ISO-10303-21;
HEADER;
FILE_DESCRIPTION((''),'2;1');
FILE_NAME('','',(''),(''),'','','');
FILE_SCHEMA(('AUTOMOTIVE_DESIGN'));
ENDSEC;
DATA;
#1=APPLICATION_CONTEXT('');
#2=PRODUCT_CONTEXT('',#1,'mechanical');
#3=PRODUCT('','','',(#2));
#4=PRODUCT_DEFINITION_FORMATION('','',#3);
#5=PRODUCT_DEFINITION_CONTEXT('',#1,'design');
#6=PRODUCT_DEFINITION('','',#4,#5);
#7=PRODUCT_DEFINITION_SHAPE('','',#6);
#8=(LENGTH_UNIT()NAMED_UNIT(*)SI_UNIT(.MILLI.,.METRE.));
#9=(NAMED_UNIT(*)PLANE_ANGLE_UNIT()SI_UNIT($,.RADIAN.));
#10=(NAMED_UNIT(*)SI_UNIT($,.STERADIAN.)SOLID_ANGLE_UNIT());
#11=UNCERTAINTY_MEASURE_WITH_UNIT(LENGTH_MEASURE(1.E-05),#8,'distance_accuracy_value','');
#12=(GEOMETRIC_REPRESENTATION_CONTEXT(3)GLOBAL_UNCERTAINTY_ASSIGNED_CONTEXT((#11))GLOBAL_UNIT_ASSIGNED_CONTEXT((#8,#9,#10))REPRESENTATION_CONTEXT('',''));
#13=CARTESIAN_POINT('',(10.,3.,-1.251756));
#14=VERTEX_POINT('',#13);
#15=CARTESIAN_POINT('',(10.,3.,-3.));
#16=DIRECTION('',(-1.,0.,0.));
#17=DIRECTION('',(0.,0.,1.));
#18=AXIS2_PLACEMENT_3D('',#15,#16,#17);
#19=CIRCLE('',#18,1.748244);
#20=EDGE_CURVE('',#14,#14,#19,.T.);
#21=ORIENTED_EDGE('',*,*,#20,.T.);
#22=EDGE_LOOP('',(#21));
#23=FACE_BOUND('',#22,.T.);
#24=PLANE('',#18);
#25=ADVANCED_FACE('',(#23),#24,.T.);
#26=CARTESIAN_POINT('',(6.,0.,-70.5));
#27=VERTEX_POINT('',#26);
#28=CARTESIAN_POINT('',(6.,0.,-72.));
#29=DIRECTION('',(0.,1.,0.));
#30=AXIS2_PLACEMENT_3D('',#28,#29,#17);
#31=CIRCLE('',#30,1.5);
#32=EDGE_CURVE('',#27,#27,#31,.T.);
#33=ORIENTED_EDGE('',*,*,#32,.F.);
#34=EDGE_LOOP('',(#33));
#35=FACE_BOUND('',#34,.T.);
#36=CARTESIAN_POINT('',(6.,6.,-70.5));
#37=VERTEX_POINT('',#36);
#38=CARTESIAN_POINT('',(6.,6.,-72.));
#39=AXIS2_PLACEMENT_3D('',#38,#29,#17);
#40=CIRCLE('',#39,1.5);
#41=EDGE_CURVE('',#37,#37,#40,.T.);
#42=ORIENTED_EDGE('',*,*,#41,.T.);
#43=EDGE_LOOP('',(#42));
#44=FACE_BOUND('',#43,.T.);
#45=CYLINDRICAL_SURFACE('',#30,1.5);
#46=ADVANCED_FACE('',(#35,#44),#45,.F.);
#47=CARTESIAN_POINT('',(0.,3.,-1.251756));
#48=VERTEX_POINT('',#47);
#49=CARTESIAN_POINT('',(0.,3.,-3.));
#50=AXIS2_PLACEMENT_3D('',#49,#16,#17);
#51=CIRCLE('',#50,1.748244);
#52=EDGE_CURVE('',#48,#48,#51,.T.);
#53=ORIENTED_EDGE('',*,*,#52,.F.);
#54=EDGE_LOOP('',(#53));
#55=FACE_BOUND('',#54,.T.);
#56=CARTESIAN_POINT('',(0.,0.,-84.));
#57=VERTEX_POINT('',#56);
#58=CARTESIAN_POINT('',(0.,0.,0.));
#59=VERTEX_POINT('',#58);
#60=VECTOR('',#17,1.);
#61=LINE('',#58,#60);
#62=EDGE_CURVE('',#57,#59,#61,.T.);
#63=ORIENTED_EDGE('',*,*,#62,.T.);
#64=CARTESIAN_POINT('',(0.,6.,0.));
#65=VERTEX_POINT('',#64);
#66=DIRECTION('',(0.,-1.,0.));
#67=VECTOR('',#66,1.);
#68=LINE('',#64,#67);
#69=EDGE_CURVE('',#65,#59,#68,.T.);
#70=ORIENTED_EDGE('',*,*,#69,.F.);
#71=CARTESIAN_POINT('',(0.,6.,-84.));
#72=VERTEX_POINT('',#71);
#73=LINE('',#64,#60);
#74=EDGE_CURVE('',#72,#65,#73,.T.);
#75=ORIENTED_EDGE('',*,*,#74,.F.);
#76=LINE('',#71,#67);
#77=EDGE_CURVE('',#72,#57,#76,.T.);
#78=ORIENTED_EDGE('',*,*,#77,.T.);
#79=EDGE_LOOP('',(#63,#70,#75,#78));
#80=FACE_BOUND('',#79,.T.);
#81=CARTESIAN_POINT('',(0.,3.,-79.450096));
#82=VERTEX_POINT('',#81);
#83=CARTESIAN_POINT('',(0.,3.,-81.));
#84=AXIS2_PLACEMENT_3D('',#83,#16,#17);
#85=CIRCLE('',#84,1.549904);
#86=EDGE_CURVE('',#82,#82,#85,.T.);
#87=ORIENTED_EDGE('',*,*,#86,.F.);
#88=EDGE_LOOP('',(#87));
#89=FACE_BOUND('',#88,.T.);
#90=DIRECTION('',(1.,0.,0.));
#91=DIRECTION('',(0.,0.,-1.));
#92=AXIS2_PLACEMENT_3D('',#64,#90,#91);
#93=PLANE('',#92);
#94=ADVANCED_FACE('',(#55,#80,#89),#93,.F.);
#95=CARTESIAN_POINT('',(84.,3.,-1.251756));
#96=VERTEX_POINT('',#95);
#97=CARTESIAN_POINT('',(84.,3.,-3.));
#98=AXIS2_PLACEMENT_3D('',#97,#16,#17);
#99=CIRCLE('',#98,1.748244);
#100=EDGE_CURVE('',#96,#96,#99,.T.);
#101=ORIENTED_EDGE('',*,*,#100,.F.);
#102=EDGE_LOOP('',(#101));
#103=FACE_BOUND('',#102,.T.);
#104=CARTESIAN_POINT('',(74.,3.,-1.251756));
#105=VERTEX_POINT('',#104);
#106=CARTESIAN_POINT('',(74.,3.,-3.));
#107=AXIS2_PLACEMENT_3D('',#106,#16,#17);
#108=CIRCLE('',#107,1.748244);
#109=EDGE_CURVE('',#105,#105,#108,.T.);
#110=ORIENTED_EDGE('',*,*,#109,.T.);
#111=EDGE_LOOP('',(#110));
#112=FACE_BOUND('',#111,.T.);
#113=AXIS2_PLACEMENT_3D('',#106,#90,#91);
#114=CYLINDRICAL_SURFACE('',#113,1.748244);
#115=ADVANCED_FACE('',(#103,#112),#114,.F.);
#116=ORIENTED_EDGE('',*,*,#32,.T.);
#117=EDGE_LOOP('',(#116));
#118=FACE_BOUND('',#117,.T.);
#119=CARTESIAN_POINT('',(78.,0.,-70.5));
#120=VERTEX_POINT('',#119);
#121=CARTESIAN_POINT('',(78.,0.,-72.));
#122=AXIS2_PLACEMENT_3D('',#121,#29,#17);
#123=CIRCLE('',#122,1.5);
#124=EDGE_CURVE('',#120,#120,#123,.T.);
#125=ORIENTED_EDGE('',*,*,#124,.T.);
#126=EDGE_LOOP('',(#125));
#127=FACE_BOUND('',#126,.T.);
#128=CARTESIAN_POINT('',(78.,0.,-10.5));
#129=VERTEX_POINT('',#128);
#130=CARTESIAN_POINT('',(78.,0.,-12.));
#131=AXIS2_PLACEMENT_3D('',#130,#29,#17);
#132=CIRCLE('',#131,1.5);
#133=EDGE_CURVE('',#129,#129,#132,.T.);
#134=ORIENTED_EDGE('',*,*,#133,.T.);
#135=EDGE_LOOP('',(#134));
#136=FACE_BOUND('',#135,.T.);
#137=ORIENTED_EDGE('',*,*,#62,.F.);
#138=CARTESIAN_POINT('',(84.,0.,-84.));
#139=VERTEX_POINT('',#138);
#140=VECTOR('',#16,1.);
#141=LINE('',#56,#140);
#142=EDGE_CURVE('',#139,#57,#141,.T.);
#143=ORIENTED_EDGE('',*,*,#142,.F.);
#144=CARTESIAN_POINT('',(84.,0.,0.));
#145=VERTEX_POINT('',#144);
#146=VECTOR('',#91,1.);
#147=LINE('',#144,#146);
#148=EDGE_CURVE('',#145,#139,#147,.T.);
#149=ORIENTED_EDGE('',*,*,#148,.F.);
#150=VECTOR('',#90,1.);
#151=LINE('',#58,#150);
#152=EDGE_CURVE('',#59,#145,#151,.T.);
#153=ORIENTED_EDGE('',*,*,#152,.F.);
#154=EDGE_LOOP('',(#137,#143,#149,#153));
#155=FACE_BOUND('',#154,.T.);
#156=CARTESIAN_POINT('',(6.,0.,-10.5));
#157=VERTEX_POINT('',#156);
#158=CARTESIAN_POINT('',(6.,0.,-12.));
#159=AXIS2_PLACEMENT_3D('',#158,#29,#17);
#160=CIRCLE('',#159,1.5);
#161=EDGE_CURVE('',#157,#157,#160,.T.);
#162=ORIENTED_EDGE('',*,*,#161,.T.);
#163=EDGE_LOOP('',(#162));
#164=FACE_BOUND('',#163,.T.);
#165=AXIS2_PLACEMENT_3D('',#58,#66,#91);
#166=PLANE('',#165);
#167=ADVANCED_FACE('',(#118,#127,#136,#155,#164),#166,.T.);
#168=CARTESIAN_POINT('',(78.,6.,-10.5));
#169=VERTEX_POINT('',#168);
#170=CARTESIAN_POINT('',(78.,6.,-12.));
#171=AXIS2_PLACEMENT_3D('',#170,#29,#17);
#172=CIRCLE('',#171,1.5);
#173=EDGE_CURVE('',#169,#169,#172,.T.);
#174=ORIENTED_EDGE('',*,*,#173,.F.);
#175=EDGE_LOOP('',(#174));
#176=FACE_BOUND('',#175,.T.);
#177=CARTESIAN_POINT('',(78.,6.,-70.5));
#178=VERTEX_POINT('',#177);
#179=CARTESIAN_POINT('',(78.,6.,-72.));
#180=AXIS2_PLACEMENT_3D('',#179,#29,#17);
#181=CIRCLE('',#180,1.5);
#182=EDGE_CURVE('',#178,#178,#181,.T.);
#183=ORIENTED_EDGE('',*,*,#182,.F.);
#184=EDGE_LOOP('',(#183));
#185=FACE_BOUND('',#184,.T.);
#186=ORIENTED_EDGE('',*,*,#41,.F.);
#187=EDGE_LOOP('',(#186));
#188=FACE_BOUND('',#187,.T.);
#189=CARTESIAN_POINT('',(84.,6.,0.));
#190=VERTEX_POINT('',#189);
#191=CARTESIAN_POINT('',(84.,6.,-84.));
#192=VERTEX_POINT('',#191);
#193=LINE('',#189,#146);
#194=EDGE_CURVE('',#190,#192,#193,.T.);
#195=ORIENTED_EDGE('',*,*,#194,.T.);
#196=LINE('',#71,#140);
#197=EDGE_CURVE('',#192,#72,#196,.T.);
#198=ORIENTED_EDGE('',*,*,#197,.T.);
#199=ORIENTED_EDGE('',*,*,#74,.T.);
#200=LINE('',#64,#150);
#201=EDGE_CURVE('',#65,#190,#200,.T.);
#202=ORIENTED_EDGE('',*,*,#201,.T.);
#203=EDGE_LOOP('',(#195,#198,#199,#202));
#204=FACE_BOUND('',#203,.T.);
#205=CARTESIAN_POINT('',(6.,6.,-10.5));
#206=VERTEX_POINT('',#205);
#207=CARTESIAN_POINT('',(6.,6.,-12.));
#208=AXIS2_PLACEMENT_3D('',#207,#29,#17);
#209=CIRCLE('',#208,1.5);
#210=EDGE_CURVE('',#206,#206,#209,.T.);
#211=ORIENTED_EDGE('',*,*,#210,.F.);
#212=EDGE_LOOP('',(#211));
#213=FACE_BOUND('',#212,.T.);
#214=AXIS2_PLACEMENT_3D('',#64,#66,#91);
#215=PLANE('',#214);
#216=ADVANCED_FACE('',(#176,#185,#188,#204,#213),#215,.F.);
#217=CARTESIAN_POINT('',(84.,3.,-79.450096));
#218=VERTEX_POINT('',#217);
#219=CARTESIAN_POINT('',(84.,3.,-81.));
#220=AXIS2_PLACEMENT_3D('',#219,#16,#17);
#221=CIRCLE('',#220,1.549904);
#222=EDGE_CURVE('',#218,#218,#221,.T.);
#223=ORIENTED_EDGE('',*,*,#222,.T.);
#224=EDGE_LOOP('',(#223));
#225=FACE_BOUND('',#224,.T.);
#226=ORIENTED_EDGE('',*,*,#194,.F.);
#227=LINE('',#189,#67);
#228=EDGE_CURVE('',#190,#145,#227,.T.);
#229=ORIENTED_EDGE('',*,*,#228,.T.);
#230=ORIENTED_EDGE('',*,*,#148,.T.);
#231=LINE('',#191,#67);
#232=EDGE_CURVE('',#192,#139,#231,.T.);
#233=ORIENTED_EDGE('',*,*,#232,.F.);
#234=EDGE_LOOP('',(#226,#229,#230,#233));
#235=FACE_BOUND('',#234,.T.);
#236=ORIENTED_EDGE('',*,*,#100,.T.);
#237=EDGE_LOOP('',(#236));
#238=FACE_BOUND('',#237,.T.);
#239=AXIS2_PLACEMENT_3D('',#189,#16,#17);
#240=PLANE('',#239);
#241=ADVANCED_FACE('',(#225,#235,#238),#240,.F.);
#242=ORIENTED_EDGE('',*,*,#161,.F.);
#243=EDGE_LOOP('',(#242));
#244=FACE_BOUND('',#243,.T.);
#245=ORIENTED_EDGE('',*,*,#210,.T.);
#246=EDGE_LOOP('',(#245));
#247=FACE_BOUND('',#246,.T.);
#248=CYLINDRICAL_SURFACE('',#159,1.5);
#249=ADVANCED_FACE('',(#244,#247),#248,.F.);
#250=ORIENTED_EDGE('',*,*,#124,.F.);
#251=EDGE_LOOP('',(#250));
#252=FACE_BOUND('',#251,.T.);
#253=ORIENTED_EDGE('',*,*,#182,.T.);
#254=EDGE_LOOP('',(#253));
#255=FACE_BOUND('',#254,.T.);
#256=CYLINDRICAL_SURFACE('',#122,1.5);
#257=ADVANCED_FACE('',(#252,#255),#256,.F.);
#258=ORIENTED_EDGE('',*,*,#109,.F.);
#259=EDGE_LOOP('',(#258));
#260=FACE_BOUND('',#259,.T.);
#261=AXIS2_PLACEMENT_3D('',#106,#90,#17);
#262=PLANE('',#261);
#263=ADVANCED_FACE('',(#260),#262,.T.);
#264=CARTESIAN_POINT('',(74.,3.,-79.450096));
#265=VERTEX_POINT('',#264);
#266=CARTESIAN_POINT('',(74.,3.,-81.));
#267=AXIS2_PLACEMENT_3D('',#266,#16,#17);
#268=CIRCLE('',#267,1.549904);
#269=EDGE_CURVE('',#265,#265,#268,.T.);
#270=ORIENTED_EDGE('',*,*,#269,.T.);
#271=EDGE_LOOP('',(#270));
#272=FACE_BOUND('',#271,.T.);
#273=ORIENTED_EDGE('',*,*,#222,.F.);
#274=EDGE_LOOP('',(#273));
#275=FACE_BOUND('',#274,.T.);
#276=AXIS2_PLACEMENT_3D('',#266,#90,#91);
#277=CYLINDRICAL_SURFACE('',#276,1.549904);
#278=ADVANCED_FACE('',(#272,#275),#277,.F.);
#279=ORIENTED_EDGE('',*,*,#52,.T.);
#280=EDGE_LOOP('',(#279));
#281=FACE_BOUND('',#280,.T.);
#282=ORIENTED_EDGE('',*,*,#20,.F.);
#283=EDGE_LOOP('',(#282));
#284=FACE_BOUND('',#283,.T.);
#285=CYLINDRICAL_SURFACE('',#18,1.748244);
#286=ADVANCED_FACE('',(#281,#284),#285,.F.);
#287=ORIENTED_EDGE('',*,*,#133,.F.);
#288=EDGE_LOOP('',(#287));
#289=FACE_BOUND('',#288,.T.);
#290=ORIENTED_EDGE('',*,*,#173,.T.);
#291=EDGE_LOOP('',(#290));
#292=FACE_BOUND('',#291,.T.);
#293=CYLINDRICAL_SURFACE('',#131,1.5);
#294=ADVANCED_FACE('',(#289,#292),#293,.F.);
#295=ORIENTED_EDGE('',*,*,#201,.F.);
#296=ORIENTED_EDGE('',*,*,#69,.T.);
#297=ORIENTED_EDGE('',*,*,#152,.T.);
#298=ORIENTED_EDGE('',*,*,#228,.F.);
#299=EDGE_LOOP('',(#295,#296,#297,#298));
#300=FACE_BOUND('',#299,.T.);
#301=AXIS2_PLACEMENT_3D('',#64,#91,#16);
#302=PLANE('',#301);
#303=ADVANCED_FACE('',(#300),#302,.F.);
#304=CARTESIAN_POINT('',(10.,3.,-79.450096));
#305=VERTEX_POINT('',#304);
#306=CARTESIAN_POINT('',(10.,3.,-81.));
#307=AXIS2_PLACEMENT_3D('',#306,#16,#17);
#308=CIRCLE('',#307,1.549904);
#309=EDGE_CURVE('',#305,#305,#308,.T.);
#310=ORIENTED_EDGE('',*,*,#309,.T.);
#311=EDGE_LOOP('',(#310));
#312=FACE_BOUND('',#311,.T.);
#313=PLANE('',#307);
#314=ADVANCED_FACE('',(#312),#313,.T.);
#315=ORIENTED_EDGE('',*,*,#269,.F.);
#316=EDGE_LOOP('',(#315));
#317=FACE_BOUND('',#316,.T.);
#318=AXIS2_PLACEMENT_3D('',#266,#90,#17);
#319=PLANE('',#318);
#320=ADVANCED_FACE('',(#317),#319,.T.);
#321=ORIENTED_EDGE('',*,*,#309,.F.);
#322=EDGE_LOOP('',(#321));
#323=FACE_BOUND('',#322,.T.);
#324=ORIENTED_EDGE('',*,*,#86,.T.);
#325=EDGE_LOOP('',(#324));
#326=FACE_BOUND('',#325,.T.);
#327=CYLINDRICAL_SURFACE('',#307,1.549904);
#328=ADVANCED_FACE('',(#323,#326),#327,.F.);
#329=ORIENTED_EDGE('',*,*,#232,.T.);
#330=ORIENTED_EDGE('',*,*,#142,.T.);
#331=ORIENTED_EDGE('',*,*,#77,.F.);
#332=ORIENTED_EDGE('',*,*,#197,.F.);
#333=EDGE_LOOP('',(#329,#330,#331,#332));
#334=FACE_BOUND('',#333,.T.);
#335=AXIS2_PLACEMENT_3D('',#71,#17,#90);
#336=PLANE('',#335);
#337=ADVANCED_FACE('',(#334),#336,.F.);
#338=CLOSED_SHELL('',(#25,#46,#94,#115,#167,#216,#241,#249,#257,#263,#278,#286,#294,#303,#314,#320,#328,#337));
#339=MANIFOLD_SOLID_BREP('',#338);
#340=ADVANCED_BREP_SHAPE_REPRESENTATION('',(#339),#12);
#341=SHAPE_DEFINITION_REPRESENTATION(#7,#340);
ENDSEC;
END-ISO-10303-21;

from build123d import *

# Parameters (mm, degrees)
SKETCH1_W            = 84
SKETCH1_H            = 84
BOSS_EXTRUDE1_DEPTH  = 6
SKETCH2_R            = 1.5
CUT_EXTRUDE1_DEPTH   = 6
LPATTERN1_COUNT      = 2
LPATTERN1_PITCH      = 72
LPATTERN1_COUNT_DIR2 = 2
LPATTERN1_PITCH_DIR2 = 60
SKETCH3_R            = 1.549904247
SKETCH3_R_2          = 1.748244363
CUT_EXTRUDE2_DEPTH   = 10


with BuildPart() as part:
    # Sketch1 → Boss-Extrude1 (new body)
    with BuildSketch(Plane(origin=(0, 0, 0), x_dir=(1, 0, 0), z_dir=(0, 1, 0))):
        with Locations((42, 42)):
            Rectangle(SKETCH1_W, SKETCH1_H)
    extrude(amount=BOSS_EXTRUDE1_DEPTH)

    # Sketch2 → Cut-Extrude1 (cut)
    with BuildSketch(Plane(origin=(0, 6, 0), x_dir=(1, 0, 0), z_dir=(0, 1, 0))):
        with Locations(Location((6, 72, 0), (0, 0, 270))):
            Circle(SKETCH2_R)
    cut_extrude1 = extrude(amount=-CUT_EXTRUDE1_DEPTH, mode=Mode.SUBTRACT)

    # LPattern1: Cut-Extrude1 2 × 2
    with Locations(*[(i * LPATTERN1_PITCH, 0, j * LPATTERN1_PITCH_DIR2) for i in range(LPATTERN1_COUNT) for j in range(LPATTERN1_COUNT_DIR2) if (i, j) != (0, 0)]):
        add(cut_extrude1, mode=Mode.SUBTRACT)

    # Sketch3 → Cut-Extrude2 (cut)
    with BuildSketch(Plane.ZY):
        with Locations((-81, 3)):
            Circle(SKETCH3_R)
        with Locations((-3, 3)):
            Circle(SKETCH3_R_2)
    cut_extrude2 = extrude(amount=-CUT_EXTRUDE2_DEPTH, mode=Mode.SUBTRACT)

    # Mirror1: Cut-Extrude2 across plane
    add(cut_extrude2.mirror(Plane.ZY.offset(-42)), mode=Mode.SUBTRACT)


solid = part.part
